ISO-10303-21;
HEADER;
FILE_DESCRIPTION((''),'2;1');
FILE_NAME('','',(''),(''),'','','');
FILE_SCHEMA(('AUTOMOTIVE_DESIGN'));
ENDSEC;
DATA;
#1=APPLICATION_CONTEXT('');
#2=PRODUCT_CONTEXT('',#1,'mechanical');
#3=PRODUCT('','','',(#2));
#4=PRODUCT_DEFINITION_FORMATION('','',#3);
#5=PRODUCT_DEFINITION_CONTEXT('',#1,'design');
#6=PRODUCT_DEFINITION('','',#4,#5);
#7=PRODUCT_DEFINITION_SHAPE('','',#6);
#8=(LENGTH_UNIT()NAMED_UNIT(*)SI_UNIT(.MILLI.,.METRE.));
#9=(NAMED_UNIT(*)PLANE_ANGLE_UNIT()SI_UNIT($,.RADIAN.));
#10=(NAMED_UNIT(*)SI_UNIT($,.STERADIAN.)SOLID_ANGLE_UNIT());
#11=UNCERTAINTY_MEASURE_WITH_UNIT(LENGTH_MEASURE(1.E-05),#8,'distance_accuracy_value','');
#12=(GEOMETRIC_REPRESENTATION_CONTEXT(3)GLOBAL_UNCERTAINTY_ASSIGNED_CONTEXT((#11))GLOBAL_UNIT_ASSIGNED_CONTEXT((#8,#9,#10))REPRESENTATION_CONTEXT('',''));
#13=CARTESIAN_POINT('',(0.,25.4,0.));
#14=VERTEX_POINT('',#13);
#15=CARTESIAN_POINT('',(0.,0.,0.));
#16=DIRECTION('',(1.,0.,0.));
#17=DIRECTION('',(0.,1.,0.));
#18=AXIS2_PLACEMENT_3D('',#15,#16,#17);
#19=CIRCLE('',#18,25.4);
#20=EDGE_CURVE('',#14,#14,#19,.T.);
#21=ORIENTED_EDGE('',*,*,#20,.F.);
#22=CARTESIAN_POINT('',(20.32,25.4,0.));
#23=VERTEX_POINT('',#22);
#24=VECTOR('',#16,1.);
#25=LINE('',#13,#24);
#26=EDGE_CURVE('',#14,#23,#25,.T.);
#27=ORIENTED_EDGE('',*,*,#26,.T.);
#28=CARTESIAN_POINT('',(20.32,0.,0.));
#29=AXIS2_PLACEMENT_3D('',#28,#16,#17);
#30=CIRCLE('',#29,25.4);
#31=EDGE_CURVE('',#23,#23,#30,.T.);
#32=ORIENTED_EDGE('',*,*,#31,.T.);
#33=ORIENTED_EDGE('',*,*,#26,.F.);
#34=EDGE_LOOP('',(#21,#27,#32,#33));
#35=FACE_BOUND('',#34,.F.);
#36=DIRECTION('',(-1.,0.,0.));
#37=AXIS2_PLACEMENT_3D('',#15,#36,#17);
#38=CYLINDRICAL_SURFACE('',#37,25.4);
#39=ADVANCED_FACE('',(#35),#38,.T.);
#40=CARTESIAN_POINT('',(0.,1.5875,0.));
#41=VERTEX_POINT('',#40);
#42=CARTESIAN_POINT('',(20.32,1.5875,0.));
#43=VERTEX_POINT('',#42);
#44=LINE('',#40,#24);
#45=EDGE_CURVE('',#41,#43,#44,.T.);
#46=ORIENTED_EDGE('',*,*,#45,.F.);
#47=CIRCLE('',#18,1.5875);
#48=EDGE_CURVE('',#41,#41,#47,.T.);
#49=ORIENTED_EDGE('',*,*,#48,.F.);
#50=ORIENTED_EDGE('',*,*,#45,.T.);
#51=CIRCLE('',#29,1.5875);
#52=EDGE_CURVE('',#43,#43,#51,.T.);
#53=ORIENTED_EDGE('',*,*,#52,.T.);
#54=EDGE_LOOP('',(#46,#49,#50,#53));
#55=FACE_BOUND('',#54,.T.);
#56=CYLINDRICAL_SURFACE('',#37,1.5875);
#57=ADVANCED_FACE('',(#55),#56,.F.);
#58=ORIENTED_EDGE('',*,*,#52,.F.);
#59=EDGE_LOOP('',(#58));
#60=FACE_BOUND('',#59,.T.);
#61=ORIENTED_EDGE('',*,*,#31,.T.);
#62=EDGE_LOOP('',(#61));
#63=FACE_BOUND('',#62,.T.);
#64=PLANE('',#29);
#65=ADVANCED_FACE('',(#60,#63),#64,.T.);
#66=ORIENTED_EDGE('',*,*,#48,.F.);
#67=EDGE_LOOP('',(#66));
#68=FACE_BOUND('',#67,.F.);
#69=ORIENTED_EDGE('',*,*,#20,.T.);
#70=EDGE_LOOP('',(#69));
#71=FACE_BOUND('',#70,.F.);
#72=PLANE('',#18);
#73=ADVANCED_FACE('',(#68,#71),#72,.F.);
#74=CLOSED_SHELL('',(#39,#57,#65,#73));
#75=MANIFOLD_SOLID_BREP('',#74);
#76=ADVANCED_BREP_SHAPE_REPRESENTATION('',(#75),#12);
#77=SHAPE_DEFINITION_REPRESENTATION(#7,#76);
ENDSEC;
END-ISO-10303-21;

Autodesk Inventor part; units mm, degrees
ref_plane "YZ Plane" through (0, 0, 0) normal (1, 0, 0) x (0, 1, 0)
ref_plane "XZ Plane" through (0, 0, 0) normal (0, 1, 0) x (-1, 0, 0)
ref_plane "XY Plane" through (0, 0, 0) normal (0, 0, 1) x (1, 0, 0)
sketch "Sketch1" plane through (0, 0, 0) normal (1, 0, 0) x (0, 1, 0)
  circle A0 centre (0, 0) radius 25.4
  circle A1 centre (0, 0) radius 1.5875
  dimension "d0" = 50.8
  dimension "d1" = 3.175
extrude "Extrusion1" add sketch "Sketch1" along normal blind 20.32
properties part number "t81banebot"
